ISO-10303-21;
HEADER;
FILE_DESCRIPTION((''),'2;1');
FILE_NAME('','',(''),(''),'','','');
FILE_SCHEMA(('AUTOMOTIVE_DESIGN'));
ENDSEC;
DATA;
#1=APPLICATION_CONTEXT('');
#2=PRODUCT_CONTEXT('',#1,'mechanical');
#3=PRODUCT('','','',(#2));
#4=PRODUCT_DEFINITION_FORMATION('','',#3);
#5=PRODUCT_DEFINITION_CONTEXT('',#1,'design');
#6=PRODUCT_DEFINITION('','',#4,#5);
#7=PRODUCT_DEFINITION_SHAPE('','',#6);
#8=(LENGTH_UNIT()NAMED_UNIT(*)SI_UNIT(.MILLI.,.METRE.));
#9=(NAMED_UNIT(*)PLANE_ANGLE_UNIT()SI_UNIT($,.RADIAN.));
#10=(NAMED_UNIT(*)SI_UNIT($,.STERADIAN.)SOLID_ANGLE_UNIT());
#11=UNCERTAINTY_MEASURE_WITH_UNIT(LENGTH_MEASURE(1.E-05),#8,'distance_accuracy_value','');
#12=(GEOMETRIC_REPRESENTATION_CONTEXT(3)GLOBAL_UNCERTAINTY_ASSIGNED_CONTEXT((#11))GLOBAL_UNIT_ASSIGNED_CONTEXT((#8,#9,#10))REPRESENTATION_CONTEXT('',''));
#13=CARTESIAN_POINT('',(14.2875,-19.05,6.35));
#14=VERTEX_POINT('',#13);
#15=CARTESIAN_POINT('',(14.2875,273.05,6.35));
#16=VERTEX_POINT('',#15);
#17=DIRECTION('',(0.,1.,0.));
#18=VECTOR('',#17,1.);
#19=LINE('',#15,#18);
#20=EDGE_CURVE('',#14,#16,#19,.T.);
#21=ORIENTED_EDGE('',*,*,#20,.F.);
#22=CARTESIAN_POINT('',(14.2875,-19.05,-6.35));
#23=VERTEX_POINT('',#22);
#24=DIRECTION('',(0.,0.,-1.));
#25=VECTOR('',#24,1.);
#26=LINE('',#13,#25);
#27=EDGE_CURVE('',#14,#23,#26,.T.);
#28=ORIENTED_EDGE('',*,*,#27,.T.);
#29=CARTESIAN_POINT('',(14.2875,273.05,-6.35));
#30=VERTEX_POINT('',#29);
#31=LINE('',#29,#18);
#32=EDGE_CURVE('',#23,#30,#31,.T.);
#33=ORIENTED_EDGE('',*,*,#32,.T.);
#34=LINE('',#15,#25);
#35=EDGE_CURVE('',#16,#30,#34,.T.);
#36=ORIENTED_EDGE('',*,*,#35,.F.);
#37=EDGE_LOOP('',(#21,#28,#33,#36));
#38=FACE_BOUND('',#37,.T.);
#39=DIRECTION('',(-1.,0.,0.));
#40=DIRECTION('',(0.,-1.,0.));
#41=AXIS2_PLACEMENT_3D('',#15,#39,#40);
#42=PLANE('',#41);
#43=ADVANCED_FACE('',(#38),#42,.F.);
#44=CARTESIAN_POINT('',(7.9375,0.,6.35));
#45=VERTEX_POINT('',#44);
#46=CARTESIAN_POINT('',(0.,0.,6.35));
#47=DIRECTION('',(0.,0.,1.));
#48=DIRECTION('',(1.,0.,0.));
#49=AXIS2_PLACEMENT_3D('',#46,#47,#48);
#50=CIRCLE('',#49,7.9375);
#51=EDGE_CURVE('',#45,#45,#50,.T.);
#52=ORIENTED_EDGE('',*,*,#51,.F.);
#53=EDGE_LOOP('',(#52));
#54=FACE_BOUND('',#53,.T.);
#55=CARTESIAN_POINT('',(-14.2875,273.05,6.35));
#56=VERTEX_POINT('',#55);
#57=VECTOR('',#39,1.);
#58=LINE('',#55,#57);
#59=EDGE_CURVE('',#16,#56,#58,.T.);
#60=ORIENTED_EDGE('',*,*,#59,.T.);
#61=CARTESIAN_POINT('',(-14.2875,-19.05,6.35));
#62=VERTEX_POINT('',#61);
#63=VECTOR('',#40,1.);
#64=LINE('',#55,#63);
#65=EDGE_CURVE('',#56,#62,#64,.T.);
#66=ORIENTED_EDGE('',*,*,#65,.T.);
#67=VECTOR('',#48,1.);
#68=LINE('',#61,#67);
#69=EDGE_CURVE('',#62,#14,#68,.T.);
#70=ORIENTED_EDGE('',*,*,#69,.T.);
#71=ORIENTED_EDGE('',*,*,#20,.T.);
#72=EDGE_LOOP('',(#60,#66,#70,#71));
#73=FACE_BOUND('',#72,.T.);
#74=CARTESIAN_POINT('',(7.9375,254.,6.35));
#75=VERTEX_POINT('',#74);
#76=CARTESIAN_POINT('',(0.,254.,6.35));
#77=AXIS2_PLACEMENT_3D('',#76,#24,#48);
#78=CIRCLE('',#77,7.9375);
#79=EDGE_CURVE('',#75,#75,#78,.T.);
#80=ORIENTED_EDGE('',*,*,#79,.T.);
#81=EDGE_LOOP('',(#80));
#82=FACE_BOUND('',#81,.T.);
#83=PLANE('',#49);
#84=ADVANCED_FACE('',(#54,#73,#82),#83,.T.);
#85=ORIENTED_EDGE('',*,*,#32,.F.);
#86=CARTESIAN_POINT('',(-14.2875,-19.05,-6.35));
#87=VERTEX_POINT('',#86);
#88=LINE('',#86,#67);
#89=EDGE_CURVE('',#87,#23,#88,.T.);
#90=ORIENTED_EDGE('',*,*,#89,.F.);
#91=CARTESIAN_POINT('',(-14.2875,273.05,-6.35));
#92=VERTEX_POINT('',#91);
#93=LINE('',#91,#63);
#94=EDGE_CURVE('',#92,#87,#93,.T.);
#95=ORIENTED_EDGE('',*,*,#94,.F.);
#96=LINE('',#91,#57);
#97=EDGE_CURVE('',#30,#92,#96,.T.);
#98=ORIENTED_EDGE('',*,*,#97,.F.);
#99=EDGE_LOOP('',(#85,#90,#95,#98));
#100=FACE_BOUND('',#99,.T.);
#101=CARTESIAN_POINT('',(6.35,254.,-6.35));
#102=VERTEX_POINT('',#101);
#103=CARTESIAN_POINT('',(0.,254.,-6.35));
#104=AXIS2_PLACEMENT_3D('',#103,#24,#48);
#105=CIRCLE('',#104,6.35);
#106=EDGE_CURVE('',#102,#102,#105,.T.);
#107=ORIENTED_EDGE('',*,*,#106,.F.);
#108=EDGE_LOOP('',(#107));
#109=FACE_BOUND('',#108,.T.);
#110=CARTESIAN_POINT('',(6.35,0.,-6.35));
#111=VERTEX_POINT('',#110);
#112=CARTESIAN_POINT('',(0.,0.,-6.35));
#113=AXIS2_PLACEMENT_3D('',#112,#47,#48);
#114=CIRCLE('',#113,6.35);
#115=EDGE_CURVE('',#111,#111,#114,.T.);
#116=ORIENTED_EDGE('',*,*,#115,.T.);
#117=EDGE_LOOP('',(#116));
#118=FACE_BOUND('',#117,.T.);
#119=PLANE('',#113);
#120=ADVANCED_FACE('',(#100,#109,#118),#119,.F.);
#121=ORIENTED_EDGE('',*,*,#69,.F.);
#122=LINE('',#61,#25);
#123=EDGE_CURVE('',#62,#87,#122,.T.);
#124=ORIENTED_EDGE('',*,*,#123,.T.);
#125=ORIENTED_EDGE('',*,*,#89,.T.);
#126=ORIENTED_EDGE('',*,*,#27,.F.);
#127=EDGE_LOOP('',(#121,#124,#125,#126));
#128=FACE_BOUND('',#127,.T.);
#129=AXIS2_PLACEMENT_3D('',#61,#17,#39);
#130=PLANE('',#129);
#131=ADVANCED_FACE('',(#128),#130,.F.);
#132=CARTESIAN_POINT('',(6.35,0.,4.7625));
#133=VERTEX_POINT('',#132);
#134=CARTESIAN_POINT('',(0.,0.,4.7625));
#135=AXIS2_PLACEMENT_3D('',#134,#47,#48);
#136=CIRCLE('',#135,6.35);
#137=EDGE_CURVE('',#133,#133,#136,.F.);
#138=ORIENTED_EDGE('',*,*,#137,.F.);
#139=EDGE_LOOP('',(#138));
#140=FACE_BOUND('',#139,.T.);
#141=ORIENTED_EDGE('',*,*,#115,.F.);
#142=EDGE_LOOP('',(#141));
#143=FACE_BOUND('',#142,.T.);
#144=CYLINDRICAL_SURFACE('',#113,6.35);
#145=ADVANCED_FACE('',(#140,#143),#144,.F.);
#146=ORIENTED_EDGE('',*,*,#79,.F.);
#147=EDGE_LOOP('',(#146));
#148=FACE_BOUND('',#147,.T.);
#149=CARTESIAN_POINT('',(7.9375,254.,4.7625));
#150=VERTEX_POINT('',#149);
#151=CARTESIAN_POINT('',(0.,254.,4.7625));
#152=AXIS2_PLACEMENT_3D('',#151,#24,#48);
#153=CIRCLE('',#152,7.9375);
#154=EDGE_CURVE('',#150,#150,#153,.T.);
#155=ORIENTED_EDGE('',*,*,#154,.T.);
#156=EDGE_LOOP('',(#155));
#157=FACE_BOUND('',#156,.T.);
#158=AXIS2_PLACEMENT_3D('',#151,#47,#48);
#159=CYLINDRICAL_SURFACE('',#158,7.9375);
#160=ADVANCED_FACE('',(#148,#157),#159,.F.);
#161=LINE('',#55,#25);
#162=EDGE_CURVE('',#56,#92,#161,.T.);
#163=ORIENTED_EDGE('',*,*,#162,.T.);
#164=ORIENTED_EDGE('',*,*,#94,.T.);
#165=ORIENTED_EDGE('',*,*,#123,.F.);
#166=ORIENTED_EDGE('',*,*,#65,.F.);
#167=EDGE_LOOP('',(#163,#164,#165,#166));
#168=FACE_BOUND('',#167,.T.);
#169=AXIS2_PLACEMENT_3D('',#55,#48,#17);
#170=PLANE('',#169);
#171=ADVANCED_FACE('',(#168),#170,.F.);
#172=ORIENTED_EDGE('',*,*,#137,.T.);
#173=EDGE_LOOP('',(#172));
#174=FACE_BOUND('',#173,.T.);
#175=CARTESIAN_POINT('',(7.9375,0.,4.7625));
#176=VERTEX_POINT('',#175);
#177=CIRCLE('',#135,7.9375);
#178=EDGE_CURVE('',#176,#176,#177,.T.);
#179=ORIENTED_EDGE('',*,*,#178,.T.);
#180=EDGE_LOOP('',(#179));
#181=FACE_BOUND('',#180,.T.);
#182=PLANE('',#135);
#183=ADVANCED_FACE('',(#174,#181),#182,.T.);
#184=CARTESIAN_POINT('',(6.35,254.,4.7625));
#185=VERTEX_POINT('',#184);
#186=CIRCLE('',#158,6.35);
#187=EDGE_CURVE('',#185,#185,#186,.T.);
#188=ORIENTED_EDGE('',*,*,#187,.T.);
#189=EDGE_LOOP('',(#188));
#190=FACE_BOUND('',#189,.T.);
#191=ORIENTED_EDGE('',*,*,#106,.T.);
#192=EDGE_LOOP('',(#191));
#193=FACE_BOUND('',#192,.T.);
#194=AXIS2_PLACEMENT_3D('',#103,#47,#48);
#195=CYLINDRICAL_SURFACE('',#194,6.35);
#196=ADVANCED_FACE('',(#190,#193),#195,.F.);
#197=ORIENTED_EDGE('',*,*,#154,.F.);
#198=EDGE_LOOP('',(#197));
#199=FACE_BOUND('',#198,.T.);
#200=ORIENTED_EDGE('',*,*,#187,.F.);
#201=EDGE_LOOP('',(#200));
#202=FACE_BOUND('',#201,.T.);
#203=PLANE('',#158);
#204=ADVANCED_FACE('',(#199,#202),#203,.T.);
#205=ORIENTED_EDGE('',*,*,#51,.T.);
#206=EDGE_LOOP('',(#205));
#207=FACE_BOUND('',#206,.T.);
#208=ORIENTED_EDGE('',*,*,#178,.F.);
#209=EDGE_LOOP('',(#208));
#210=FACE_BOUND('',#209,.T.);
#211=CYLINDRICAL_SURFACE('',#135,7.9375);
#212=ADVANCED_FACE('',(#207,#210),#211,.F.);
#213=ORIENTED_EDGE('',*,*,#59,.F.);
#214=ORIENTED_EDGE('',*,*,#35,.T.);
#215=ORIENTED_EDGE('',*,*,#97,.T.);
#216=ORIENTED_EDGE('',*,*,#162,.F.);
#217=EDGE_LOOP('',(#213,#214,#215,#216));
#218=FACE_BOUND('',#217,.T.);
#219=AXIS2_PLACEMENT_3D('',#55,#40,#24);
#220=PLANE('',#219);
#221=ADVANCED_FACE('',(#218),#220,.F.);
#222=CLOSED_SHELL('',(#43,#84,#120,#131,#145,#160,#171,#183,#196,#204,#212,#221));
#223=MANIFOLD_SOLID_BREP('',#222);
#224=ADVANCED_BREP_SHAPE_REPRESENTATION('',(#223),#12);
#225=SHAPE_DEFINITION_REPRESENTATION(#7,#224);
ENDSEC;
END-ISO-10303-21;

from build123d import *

# Parameters (mm, degrees)
SKETCH2_W           = 28.575
SKETCH2_H           = 292.1
BOSS_EXTRUDE1_DEPTH = 6.35
SKETCH4_R           = 6.35
CUT_EXTRUDE1_DEPTH  = 7.35
SKETCH5_R           = 7.9375
CUT_EXTRUDE2_DEPTH  = 1.5875


with BuildPart() as part:
    # Sketch2 → Boss-Extrude1 (new body, symmetric)
    with BuildSketch(Plane.XY):
        with Locations((0, 127)):
            Rectangle(SKETCH2_W, SKETCH2_H)
    extrude(amount=BOSS_EXTRUDE1_DEPTH, both=True)

    # Sketch4 → Cut-Extrude1 (cut, symmetric)
    with BuildSketch(Plane.XY):
        Circle(SKETCH4_R)
    cut_extrude1 = extrude(amount=CUT_EXTRUDE1_DEPTH, both=True, mode=Mode.SUBTRACT)

    # Sketch5 → Cut-Extrude2 (cut)
    with BuildSketch(Plane.XY.offset(6.35)):
        Circle(SKETCH5_R)
    cut_extrude2 = extrude(amount=-CUT_EXTRUDE2_DEPTH, mode=Mode.SUBTRACT)

    # Mirror1: Cut-Extrude1, Cut-Extrude2 across plane
    add(cut_extrude1.mirror(Plane(origin=(0, 127, 0), x_dir=(0, 0, 1), z_dir=(0, -1, 0))), mode=Mode.SUBTRACT)
    add(cut_extrude2.mirror(Plane(origin=(0, 127, 0), x_dir=(0, 0, 1), z_dir=(0, -1, 0))), mode=Mode.SUBTRACT)


solid = part.part
